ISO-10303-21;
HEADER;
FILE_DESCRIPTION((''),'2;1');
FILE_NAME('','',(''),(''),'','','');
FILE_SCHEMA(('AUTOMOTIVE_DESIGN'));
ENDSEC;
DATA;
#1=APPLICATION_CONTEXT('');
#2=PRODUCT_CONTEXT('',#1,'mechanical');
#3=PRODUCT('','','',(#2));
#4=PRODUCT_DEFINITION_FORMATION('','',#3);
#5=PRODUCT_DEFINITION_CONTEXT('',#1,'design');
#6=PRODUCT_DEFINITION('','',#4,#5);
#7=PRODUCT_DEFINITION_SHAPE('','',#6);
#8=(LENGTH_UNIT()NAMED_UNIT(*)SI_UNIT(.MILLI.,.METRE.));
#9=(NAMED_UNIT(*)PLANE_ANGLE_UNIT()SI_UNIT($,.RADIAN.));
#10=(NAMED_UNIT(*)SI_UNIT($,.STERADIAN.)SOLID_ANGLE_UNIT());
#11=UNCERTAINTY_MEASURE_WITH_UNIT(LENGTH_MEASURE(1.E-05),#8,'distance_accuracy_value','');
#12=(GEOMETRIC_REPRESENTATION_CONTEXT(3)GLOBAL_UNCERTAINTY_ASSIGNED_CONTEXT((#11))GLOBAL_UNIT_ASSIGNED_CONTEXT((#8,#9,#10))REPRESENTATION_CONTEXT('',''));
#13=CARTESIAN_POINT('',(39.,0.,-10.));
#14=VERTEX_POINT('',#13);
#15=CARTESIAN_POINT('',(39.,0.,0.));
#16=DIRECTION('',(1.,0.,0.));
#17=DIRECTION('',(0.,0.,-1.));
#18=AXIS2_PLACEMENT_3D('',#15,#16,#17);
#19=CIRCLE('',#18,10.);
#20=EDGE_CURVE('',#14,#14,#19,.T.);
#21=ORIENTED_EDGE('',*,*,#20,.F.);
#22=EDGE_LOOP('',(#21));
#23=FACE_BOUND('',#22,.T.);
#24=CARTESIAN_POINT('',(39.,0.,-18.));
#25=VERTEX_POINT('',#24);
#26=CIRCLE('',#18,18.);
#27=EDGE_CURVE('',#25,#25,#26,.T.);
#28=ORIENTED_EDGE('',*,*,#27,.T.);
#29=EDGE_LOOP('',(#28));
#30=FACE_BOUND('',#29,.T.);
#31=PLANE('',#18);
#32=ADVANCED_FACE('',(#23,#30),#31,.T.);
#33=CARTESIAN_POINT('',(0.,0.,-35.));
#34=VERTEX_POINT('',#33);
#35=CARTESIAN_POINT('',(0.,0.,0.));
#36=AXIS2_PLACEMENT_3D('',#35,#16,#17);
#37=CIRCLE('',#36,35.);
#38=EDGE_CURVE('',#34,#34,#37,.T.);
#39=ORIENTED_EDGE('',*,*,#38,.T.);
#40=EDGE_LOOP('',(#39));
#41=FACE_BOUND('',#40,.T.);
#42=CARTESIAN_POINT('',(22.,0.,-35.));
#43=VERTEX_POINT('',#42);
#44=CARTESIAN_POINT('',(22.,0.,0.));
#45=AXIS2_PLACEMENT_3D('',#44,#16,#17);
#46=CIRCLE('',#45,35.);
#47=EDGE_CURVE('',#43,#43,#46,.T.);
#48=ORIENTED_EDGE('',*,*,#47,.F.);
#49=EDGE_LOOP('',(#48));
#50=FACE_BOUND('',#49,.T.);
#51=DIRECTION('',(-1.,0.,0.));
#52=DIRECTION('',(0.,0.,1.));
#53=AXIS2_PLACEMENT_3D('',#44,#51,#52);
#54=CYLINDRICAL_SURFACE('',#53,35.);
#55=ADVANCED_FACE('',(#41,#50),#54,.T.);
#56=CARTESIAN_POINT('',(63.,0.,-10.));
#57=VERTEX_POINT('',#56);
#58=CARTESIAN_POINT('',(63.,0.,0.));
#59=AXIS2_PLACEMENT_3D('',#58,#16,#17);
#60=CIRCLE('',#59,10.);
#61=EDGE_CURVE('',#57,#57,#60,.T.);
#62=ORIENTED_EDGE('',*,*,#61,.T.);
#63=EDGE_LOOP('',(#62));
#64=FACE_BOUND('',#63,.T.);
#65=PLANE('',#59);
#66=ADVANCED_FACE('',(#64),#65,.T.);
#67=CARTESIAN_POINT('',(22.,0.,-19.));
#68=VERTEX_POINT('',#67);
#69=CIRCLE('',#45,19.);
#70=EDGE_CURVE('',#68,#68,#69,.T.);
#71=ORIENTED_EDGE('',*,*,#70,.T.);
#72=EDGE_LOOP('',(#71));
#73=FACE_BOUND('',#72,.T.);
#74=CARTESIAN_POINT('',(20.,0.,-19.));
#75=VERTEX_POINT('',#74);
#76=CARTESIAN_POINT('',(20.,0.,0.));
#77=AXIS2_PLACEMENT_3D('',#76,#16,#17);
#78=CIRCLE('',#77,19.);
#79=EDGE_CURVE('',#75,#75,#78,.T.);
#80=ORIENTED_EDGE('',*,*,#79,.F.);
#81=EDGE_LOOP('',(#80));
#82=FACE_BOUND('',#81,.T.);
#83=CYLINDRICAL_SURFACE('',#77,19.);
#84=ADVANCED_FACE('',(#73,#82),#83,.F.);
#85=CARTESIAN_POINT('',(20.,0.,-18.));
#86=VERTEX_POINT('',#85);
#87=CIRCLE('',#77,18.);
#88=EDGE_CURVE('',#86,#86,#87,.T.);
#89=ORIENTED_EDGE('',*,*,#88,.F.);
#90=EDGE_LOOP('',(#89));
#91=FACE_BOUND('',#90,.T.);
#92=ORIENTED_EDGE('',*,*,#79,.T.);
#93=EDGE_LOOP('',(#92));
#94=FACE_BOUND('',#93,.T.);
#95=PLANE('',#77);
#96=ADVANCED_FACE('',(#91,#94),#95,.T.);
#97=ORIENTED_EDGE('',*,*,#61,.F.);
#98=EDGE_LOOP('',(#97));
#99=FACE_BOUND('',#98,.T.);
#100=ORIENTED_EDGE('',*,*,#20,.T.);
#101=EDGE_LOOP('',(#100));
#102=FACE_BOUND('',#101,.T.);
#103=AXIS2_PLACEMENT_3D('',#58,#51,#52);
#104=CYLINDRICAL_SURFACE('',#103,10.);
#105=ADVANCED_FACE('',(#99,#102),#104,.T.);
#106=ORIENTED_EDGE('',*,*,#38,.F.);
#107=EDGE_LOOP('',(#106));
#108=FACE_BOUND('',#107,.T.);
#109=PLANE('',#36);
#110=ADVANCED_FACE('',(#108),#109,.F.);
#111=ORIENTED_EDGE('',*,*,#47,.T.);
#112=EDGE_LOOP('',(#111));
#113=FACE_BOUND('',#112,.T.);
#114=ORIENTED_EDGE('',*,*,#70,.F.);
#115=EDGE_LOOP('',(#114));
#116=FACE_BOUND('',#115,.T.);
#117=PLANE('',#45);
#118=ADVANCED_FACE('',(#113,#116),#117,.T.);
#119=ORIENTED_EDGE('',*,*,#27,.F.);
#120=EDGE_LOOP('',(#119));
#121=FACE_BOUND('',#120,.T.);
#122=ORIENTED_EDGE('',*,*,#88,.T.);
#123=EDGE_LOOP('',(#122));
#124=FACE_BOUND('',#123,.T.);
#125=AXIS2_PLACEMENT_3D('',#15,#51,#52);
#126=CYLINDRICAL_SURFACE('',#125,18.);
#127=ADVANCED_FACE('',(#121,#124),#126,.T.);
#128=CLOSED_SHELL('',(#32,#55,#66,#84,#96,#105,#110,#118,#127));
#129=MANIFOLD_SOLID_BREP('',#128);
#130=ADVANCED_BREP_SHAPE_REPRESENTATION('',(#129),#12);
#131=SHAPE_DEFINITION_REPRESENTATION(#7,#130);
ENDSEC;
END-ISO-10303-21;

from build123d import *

# Parameters (mm, degrees)
SKETCH1_R           = 35
BOSS_EXTRUDE1_DEPTH = 22
SKETCH2_R           = 18
BOSS_EXTRUDE2_DEPTH = 17
SKETCH3_R           = 10
BOSS_EXTRUDE3_DEPTH = 24
CUT_EXTRUDE1_START  = -2
SKETCH4_R           = 19
SKETCH4_R_2         = 18
CUT_EXTRUDE1_DEPTH  = 2


with BuildPart() as part:
    # Sketch1 → Boss-Extrude1 (new body)
    with BuildSketch(Plane(origin=(0, 0, 0), x_dir=(0, 0, -1), z_dir=(1, 0, 0))):
        Circle(SKETCH1_R)
    extrude(amount=BOSS_EXTRUDE1_DEPTH)

    # Sketch2 → Boss-Extrude2 (add)
    with BuildSketch(Plane(origin=(22, 0, 0), x_dir=(0, 0, -1), z_dir=(1, 0, 0))):
        Circle(SKETCH2_R)
    extrude(amount=BOSS_EXTRUDE2_DEPTH)

    # Sketch3 → Boss-Extrude3 (add)
    with BuildSketch(Plane(origin=(39, 0, 0), x_dir=(0, 0, -1), z_dir=(1, 0, 0))):
        Circle(SKETCH3_R)
    extrude(amount=BOSS_EXTRUDE3_DEPTH)

    # Sketch4 → Cut-Extrude1 (cut)
    with BuildSketch(Plane(origin=(22, 0, 0), x_dir=(0, 0, -1), z_dir=(1, 0, 0)).offset(CUT_EXTRUDE1_START)):
        Circle(SKETCH4_R)
        Circle(SKETCH4_R_2, mode=Mode.SUBTRACT)
    extrude(amount=CUT_EXTRUDE1_DEPTH, mode=Mode.SUBTRACT)


solid = part.part
